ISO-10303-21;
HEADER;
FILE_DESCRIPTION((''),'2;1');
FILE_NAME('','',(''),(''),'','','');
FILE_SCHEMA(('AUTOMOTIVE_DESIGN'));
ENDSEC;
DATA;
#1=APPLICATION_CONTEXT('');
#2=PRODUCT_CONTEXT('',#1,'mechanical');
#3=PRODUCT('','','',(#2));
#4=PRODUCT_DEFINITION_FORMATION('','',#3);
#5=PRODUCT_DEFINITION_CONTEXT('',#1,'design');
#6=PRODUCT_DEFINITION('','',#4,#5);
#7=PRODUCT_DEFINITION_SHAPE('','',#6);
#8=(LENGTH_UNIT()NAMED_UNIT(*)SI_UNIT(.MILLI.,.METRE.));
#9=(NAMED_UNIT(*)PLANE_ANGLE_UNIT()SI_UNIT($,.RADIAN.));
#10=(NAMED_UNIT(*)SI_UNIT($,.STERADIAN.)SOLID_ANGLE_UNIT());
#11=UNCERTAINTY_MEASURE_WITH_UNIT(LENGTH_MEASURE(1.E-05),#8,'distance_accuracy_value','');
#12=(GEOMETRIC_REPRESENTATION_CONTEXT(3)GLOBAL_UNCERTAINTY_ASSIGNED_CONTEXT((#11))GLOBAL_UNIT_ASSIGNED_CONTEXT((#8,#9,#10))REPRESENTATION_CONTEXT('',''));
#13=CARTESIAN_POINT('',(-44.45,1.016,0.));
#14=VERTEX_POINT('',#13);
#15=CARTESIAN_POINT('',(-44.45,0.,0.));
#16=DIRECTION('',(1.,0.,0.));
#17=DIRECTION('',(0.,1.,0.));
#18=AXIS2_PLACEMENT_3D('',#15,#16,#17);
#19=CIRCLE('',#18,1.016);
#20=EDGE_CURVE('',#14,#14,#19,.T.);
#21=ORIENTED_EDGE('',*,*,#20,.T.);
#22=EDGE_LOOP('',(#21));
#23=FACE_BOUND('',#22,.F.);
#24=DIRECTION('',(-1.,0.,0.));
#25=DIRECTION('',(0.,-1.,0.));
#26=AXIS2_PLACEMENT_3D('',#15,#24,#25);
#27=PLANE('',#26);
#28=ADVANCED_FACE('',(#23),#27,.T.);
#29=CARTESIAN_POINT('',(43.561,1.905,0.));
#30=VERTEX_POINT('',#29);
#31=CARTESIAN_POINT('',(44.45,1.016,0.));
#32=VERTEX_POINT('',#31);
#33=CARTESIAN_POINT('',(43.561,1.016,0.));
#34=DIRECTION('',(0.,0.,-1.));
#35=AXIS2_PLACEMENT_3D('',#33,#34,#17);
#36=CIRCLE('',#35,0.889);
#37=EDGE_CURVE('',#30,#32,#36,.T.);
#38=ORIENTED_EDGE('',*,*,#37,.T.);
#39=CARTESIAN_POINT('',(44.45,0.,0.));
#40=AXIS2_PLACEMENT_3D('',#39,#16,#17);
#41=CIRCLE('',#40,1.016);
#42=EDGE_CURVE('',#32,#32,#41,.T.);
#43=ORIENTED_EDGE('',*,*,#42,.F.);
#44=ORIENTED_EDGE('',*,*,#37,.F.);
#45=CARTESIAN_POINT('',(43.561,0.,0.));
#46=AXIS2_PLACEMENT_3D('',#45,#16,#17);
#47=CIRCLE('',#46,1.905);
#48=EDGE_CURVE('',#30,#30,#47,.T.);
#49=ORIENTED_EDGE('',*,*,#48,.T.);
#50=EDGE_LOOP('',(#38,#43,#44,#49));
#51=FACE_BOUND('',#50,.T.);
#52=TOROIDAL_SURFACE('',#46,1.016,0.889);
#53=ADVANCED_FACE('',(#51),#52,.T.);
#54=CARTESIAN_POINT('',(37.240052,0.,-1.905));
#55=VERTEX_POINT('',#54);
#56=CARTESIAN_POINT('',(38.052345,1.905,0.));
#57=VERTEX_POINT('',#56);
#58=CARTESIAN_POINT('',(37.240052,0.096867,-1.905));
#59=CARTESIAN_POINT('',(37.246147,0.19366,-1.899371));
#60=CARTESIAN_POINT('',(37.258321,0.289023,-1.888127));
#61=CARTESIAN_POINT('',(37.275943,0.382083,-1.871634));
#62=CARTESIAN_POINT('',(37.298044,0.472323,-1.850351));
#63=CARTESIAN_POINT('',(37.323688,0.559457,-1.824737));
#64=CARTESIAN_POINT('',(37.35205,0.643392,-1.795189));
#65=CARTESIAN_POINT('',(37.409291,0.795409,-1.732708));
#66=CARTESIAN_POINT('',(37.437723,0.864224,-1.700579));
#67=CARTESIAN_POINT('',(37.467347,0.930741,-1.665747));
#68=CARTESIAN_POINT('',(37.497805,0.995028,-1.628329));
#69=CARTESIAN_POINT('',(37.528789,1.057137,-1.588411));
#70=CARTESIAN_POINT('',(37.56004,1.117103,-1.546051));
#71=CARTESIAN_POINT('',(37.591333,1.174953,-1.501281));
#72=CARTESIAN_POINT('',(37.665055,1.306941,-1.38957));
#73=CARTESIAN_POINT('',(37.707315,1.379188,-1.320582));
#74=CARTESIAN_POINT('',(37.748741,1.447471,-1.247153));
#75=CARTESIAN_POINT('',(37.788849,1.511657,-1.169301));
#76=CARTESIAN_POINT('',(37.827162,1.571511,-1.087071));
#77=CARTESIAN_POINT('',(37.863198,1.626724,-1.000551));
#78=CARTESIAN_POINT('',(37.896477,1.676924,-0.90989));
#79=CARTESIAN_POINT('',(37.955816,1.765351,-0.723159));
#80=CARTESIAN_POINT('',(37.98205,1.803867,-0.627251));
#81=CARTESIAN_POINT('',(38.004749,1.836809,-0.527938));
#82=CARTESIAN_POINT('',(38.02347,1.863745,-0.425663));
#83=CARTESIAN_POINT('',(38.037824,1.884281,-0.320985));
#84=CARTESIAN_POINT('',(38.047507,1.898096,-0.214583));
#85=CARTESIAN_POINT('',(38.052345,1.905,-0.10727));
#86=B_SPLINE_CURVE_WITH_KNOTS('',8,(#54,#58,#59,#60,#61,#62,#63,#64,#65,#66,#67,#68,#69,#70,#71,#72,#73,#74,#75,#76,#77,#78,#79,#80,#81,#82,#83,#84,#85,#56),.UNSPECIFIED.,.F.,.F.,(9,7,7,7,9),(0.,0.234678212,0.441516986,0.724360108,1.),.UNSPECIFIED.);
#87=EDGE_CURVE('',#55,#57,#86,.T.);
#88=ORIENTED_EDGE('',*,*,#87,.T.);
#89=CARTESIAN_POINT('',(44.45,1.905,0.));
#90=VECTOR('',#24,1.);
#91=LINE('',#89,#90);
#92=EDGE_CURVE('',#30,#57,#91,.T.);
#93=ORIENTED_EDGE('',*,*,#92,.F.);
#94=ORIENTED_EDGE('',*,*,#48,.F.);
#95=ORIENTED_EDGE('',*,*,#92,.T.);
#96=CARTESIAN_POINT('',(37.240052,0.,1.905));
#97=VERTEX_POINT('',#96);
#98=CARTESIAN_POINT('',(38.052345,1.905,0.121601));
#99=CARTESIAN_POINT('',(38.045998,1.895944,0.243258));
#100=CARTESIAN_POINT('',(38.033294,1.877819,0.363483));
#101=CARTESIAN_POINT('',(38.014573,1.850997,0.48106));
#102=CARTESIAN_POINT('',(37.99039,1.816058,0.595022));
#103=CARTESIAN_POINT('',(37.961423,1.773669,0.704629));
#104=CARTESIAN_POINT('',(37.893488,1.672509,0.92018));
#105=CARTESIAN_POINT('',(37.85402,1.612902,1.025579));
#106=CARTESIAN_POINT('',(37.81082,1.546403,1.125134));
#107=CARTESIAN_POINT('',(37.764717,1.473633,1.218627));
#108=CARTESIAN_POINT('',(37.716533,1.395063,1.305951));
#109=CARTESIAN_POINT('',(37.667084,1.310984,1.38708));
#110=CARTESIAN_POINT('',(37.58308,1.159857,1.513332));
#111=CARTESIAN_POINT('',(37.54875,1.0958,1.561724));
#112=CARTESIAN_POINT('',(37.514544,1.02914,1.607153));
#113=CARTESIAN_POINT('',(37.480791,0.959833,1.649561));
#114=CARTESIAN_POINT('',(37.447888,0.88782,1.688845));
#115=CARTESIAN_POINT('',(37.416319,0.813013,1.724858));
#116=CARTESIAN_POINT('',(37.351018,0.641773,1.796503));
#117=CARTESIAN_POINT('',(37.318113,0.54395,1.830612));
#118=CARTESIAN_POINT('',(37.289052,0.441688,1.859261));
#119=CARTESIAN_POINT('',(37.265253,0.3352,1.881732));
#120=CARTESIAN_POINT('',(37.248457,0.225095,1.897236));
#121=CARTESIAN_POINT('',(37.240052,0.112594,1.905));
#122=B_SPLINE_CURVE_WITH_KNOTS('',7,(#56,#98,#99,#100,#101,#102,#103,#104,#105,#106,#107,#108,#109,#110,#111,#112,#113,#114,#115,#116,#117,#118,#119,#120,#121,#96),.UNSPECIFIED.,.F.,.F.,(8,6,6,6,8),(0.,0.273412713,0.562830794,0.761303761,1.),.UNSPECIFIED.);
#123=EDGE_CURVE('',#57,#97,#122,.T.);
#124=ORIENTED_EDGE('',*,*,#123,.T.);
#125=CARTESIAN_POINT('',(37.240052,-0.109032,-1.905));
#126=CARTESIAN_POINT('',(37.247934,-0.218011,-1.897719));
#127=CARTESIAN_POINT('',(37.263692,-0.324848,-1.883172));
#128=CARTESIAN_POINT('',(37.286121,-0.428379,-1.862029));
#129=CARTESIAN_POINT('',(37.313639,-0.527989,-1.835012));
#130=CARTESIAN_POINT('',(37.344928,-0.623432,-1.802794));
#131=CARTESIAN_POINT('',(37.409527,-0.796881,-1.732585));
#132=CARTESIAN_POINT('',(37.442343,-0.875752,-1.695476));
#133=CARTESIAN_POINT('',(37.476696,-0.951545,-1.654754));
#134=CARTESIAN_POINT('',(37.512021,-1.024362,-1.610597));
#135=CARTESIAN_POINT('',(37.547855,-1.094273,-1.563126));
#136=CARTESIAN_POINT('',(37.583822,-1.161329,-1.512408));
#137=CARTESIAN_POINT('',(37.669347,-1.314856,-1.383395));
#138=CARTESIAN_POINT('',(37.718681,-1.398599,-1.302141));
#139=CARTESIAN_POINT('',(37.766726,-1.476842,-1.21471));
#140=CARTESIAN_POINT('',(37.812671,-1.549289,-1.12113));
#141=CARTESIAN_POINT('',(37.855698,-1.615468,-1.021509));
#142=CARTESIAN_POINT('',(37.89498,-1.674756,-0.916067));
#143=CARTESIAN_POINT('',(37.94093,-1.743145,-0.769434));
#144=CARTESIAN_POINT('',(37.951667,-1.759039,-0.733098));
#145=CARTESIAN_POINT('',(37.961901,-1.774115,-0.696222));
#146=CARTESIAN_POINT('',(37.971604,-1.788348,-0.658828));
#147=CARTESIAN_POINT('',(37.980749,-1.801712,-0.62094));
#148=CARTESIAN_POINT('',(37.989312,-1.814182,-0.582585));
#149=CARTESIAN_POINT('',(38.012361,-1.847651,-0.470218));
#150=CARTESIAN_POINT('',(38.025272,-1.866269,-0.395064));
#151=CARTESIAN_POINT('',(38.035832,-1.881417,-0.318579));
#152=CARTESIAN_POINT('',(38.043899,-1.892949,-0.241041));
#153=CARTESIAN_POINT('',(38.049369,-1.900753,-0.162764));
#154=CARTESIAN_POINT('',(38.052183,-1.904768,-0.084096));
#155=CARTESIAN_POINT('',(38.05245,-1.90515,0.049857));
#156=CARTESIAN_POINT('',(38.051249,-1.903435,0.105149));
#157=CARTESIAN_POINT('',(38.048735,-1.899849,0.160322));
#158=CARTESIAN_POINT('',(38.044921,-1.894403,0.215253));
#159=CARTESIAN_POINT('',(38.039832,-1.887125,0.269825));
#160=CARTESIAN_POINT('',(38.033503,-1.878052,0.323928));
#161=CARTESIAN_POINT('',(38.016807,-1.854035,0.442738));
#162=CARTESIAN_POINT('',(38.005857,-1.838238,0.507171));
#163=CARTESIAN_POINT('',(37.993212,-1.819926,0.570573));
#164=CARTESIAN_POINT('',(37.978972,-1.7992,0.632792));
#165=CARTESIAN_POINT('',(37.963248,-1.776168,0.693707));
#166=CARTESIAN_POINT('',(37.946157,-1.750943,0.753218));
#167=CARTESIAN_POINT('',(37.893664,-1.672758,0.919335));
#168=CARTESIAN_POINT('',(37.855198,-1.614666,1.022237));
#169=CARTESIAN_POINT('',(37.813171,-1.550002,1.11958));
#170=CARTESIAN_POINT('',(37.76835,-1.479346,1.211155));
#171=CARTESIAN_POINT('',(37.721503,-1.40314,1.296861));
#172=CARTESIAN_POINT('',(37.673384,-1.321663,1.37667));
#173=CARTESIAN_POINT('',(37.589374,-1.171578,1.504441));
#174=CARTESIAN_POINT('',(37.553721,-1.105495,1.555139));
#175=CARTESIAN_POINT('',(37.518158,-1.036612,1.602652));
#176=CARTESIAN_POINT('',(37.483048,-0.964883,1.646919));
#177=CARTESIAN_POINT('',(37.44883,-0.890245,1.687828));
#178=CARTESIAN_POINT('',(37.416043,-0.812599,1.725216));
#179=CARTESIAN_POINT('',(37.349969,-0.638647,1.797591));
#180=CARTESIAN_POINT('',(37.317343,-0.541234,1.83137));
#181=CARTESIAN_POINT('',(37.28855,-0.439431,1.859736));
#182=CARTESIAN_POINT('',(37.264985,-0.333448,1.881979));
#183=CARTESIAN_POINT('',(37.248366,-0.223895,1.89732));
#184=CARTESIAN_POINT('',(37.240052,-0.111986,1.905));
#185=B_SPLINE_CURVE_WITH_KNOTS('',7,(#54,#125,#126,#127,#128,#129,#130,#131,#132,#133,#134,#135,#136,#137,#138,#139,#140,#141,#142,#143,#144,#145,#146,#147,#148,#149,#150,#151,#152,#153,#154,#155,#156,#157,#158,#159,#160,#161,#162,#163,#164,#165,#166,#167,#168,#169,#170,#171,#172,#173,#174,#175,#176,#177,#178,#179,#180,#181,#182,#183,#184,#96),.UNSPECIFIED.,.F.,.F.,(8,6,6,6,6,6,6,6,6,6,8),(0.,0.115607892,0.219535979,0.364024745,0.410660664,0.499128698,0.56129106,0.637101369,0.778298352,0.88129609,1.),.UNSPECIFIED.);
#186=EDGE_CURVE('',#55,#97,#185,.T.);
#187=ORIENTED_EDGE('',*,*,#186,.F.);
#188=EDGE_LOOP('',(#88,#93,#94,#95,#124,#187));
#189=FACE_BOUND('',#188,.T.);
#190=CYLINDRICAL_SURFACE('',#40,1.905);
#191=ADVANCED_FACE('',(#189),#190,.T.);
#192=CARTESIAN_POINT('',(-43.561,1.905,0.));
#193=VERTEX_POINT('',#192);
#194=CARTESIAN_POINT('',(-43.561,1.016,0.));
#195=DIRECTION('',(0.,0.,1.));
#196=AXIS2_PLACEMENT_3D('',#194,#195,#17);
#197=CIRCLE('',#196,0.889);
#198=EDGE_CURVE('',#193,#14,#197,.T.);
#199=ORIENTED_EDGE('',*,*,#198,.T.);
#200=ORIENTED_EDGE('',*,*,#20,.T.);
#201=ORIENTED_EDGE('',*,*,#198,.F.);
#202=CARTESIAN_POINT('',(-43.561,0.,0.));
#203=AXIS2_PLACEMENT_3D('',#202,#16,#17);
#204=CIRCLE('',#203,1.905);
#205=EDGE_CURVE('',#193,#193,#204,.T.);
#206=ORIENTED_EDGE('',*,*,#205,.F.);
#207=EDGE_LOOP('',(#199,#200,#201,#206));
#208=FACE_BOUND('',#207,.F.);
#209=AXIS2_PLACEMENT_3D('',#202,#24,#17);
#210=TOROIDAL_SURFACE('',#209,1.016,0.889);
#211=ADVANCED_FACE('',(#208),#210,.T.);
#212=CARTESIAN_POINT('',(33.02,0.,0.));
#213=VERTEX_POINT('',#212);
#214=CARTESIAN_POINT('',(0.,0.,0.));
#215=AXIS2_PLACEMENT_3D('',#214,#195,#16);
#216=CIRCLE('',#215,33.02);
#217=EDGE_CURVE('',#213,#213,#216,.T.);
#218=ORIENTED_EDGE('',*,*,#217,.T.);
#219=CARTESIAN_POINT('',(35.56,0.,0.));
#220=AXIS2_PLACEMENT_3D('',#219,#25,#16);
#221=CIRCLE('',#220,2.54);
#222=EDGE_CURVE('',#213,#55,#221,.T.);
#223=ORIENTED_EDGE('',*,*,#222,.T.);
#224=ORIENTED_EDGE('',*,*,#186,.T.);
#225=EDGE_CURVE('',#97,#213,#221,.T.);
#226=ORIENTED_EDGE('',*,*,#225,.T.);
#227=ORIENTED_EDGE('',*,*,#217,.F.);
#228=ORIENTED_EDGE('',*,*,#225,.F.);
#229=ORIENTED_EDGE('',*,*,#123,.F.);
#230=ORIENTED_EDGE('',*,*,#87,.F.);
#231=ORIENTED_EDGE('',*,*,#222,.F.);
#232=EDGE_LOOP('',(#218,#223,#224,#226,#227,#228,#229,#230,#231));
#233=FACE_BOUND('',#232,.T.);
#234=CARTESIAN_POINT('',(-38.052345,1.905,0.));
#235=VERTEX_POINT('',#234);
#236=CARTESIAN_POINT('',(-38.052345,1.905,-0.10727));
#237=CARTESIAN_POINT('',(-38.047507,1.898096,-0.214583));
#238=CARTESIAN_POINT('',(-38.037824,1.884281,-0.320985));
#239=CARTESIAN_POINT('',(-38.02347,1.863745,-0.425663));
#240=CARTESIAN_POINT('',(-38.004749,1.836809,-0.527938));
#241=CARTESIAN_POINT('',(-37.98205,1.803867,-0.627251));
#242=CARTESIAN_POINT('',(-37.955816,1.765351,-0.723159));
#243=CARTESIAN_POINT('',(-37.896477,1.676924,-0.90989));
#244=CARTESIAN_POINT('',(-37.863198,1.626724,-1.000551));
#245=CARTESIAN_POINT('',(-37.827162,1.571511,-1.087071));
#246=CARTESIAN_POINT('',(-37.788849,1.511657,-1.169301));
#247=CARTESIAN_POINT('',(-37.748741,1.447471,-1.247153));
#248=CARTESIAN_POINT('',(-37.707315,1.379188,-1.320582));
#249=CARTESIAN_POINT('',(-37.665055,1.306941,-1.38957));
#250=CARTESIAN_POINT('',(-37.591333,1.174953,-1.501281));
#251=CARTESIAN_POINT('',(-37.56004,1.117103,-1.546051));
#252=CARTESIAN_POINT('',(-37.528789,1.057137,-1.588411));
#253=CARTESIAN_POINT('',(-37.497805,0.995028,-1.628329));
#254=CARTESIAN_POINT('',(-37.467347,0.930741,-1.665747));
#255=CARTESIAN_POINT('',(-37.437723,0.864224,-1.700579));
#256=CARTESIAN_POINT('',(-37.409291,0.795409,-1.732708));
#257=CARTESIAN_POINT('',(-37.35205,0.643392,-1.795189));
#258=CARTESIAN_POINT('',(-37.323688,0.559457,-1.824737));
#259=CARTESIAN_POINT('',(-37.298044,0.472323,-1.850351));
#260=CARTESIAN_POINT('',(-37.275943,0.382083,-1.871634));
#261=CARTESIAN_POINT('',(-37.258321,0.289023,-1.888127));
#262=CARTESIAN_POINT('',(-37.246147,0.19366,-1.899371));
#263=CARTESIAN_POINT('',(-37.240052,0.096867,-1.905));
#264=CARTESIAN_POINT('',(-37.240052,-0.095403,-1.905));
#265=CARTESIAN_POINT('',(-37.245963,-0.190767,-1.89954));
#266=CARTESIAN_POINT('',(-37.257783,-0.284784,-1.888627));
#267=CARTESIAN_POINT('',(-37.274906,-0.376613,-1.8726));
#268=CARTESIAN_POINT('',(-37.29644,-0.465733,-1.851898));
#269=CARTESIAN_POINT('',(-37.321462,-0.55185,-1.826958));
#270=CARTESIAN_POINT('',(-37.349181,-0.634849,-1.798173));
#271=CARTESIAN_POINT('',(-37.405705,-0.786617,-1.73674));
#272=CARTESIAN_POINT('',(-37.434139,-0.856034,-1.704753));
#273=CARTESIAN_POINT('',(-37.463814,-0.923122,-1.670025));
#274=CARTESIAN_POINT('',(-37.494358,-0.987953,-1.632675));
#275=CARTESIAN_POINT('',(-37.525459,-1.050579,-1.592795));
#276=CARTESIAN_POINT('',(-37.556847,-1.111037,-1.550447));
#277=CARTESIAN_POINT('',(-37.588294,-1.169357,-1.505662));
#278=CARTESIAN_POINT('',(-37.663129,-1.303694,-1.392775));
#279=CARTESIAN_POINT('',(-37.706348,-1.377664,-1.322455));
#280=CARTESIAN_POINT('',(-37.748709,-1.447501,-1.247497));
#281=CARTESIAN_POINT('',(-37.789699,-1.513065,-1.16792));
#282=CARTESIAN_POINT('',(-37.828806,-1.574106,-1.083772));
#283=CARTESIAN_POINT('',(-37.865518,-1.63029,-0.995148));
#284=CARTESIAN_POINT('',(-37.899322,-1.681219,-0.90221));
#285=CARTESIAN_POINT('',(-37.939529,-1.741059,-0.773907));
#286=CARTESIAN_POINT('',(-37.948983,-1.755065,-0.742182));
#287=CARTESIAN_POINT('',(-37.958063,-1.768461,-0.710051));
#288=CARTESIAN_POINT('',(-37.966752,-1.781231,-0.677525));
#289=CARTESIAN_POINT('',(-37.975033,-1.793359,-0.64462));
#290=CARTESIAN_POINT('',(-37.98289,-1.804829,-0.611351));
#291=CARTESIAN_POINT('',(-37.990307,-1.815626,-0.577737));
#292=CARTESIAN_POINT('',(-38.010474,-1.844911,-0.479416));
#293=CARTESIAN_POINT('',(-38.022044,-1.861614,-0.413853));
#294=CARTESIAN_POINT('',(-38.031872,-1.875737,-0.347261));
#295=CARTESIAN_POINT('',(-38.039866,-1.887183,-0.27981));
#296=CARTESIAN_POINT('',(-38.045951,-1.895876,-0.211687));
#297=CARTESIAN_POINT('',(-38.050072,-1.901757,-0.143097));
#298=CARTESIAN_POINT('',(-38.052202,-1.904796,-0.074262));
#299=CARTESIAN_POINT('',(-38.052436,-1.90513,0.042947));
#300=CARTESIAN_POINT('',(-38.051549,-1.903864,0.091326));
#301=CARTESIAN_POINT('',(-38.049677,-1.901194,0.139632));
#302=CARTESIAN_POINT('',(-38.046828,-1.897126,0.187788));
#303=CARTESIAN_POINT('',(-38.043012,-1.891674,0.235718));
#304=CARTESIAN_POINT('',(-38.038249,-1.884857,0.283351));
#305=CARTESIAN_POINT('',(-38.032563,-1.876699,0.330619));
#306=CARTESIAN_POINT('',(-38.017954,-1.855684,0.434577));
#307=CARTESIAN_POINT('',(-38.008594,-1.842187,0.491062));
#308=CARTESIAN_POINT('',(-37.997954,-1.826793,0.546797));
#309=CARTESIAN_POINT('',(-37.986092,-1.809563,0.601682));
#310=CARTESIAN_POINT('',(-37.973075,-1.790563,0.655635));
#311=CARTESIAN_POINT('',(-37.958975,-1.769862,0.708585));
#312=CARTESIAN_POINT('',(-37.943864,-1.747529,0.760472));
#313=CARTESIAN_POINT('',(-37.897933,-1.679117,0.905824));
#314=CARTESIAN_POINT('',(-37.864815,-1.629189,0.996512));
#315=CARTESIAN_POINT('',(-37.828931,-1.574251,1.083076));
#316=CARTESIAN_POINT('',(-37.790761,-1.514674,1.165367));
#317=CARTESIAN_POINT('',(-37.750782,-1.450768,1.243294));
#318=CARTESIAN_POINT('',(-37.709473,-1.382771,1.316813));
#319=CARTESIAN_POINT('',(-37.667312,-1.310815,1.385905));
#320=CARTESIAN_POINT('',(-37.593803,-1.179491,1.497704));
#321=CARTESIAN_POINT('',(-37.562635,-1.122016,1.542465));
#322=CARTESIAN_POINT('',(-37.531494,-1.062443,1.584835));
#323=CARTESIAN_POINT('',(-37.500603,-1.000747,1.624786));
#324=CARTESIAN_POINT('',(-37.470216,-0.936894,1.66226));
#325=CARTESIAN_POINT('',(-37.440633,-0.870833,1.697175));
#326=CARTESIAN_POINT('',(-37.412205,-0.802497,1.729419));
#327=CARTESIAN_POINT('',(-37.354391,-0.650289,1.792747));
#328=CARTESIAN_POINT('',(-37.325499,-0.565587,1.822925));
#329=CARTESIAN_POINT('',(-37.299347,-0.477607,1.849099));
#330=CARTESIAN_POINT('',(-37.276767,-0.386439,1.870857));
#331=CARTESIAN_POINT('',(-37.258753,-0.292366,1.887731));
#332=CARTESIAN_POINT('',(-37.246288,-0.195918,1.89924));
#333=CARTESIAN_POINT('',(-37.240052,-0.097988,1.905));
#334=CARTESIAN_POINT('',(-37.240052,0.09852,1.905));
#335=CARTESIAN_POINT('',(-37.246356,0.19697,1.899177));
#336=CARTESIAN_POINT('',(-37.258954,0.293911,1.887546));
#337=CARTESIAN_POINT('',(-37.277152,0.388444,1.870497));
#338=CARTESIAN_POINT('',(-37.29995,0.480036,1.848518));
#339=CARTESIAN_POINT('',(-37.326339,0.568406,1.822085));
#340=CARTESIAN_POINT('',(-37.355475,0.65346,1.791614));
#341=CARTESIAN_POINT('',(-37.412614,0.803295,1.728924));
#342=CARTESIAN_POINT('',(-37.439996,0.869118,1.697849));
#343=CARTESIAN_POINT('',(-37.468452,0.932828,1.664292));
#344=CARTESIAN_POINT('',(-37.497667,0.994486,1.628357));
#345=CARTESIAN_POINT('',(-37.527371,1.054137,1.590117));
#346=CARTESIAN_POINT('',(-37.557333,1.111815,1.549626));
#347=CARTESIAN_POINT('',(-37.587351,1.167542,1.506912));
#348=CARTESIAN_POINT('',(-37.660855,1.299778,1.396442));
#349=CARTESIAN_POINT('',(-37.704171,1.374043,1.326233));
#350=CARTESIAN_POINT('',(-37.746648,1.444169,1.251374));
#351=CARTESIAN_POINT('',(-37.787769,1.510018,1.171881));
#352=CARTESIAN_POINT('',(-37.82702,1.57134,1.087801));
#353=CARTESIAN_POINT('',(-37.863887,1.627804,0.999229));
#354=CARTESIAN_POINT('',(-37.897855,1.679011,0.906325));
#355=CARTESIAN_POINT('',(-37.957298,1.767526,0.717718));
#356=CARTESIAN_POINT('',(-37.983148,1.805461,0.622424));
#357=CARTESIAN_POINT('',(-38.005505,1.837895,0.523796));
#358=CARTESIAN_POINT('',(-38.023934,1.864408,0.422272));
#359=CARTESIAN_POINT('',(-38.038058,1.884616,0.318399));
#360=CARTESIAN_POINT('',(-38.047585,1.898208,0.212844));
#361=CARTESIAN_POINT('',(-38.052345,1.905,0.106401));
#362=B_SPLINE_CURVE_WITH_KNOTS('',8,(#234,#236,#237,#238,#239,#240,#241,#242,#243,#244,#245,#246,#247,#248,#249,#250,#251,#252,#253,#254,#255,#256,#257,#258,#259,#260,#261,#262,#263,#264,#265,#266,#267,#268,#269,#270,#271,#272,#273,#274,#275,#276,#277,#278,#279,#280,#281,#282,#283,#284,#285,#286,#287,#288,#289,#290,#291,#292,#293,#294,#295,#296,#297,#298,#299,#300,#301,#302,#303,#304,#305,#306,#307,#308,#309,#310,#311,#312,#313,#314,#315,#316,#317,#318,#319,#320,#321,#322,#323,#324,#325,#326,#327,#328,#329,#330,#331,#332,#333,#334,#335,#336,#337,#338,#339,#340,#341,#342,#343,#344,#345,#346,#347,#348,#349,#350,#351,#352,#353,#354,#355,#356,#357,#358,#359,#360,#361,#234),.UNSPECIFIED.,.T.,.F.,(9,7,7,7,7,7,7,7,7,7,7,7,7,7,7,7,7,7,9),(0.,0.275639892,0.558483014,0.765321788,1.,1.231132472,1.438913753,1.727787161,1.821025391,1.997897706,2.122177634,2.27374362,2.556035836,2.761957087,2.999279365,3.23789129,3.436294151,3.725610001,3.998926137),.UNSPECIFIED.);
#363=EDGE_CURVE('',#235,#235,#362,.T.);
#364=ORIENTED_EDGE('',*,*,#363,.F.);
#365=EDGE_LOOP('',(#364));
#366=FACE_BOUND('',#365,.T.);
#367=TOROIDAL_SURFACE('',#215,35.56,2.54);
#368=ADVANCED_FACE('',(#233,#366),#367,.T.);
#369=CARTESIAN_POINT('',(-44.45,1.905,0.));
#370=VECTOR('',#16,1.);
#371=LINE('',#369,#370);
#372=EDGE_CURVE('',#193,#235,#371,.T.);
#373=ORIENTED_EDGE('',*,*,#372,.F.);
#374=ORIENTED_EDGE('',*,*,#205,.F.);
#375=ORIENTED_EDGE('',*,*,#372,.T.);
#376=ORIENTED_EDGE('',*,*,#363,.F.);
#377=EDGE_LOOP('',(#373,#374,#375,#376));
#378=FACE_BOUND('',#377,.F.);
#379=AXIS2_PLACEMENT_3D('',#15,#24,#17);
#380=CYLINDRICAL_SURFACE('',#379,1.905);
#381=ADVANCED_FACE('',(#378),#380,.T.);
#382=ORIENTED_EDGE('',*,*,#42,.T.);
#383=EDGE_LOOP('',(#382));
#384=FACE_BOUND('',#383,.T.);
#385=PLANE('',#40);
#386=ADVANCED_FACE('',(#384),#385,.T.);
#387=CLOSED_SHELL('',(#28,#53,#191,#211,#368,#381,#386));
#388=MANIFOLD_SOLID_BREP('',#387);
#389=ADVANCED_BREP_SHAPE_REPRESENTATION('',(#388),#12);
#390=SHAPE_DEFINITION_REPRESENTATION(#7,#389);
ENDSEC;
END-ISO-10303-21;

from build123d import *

# Parameters (mm, degrees)
F1_R     = 2.54
F4_R     = 1.905
F5_DEPTH = 7.2099480175
F6_R     = 0.889


with BuildPart() as f2:
    # F2: sweep along a path in F0
    with BuildLine(Plane.XY) as f2_path:
        CenterArc((0, 0), 35.56, 0, 360)
    # F1 (on Right) → F2 (sweep)
    with BuildSketch(Plane.YZ):
        with Locations((-35.56, 0)):
            Circle(F1_R)
    sweep(path=f2_path.line)

    # F4 (on offset) → F5 (join, through all)
    with BuildSketch(Plane.YZ.offset(44.45)):
        Circle(F4_R)
    extrude(amount=-F5_DEPTH)

    # F6
    f6_edges = [f2.edges().sort_by_distance(p)[0] for p in [
        (44.45, -1.905, 0),
    ]]
    fillet(f6_edges, radius=F6_R)

    # F7: F2 across plane


with BuildPart() as f2_1:
    add(f2.part)
    add(f2.part.mirror(Plane.YZ))


solid = f2_1.part
